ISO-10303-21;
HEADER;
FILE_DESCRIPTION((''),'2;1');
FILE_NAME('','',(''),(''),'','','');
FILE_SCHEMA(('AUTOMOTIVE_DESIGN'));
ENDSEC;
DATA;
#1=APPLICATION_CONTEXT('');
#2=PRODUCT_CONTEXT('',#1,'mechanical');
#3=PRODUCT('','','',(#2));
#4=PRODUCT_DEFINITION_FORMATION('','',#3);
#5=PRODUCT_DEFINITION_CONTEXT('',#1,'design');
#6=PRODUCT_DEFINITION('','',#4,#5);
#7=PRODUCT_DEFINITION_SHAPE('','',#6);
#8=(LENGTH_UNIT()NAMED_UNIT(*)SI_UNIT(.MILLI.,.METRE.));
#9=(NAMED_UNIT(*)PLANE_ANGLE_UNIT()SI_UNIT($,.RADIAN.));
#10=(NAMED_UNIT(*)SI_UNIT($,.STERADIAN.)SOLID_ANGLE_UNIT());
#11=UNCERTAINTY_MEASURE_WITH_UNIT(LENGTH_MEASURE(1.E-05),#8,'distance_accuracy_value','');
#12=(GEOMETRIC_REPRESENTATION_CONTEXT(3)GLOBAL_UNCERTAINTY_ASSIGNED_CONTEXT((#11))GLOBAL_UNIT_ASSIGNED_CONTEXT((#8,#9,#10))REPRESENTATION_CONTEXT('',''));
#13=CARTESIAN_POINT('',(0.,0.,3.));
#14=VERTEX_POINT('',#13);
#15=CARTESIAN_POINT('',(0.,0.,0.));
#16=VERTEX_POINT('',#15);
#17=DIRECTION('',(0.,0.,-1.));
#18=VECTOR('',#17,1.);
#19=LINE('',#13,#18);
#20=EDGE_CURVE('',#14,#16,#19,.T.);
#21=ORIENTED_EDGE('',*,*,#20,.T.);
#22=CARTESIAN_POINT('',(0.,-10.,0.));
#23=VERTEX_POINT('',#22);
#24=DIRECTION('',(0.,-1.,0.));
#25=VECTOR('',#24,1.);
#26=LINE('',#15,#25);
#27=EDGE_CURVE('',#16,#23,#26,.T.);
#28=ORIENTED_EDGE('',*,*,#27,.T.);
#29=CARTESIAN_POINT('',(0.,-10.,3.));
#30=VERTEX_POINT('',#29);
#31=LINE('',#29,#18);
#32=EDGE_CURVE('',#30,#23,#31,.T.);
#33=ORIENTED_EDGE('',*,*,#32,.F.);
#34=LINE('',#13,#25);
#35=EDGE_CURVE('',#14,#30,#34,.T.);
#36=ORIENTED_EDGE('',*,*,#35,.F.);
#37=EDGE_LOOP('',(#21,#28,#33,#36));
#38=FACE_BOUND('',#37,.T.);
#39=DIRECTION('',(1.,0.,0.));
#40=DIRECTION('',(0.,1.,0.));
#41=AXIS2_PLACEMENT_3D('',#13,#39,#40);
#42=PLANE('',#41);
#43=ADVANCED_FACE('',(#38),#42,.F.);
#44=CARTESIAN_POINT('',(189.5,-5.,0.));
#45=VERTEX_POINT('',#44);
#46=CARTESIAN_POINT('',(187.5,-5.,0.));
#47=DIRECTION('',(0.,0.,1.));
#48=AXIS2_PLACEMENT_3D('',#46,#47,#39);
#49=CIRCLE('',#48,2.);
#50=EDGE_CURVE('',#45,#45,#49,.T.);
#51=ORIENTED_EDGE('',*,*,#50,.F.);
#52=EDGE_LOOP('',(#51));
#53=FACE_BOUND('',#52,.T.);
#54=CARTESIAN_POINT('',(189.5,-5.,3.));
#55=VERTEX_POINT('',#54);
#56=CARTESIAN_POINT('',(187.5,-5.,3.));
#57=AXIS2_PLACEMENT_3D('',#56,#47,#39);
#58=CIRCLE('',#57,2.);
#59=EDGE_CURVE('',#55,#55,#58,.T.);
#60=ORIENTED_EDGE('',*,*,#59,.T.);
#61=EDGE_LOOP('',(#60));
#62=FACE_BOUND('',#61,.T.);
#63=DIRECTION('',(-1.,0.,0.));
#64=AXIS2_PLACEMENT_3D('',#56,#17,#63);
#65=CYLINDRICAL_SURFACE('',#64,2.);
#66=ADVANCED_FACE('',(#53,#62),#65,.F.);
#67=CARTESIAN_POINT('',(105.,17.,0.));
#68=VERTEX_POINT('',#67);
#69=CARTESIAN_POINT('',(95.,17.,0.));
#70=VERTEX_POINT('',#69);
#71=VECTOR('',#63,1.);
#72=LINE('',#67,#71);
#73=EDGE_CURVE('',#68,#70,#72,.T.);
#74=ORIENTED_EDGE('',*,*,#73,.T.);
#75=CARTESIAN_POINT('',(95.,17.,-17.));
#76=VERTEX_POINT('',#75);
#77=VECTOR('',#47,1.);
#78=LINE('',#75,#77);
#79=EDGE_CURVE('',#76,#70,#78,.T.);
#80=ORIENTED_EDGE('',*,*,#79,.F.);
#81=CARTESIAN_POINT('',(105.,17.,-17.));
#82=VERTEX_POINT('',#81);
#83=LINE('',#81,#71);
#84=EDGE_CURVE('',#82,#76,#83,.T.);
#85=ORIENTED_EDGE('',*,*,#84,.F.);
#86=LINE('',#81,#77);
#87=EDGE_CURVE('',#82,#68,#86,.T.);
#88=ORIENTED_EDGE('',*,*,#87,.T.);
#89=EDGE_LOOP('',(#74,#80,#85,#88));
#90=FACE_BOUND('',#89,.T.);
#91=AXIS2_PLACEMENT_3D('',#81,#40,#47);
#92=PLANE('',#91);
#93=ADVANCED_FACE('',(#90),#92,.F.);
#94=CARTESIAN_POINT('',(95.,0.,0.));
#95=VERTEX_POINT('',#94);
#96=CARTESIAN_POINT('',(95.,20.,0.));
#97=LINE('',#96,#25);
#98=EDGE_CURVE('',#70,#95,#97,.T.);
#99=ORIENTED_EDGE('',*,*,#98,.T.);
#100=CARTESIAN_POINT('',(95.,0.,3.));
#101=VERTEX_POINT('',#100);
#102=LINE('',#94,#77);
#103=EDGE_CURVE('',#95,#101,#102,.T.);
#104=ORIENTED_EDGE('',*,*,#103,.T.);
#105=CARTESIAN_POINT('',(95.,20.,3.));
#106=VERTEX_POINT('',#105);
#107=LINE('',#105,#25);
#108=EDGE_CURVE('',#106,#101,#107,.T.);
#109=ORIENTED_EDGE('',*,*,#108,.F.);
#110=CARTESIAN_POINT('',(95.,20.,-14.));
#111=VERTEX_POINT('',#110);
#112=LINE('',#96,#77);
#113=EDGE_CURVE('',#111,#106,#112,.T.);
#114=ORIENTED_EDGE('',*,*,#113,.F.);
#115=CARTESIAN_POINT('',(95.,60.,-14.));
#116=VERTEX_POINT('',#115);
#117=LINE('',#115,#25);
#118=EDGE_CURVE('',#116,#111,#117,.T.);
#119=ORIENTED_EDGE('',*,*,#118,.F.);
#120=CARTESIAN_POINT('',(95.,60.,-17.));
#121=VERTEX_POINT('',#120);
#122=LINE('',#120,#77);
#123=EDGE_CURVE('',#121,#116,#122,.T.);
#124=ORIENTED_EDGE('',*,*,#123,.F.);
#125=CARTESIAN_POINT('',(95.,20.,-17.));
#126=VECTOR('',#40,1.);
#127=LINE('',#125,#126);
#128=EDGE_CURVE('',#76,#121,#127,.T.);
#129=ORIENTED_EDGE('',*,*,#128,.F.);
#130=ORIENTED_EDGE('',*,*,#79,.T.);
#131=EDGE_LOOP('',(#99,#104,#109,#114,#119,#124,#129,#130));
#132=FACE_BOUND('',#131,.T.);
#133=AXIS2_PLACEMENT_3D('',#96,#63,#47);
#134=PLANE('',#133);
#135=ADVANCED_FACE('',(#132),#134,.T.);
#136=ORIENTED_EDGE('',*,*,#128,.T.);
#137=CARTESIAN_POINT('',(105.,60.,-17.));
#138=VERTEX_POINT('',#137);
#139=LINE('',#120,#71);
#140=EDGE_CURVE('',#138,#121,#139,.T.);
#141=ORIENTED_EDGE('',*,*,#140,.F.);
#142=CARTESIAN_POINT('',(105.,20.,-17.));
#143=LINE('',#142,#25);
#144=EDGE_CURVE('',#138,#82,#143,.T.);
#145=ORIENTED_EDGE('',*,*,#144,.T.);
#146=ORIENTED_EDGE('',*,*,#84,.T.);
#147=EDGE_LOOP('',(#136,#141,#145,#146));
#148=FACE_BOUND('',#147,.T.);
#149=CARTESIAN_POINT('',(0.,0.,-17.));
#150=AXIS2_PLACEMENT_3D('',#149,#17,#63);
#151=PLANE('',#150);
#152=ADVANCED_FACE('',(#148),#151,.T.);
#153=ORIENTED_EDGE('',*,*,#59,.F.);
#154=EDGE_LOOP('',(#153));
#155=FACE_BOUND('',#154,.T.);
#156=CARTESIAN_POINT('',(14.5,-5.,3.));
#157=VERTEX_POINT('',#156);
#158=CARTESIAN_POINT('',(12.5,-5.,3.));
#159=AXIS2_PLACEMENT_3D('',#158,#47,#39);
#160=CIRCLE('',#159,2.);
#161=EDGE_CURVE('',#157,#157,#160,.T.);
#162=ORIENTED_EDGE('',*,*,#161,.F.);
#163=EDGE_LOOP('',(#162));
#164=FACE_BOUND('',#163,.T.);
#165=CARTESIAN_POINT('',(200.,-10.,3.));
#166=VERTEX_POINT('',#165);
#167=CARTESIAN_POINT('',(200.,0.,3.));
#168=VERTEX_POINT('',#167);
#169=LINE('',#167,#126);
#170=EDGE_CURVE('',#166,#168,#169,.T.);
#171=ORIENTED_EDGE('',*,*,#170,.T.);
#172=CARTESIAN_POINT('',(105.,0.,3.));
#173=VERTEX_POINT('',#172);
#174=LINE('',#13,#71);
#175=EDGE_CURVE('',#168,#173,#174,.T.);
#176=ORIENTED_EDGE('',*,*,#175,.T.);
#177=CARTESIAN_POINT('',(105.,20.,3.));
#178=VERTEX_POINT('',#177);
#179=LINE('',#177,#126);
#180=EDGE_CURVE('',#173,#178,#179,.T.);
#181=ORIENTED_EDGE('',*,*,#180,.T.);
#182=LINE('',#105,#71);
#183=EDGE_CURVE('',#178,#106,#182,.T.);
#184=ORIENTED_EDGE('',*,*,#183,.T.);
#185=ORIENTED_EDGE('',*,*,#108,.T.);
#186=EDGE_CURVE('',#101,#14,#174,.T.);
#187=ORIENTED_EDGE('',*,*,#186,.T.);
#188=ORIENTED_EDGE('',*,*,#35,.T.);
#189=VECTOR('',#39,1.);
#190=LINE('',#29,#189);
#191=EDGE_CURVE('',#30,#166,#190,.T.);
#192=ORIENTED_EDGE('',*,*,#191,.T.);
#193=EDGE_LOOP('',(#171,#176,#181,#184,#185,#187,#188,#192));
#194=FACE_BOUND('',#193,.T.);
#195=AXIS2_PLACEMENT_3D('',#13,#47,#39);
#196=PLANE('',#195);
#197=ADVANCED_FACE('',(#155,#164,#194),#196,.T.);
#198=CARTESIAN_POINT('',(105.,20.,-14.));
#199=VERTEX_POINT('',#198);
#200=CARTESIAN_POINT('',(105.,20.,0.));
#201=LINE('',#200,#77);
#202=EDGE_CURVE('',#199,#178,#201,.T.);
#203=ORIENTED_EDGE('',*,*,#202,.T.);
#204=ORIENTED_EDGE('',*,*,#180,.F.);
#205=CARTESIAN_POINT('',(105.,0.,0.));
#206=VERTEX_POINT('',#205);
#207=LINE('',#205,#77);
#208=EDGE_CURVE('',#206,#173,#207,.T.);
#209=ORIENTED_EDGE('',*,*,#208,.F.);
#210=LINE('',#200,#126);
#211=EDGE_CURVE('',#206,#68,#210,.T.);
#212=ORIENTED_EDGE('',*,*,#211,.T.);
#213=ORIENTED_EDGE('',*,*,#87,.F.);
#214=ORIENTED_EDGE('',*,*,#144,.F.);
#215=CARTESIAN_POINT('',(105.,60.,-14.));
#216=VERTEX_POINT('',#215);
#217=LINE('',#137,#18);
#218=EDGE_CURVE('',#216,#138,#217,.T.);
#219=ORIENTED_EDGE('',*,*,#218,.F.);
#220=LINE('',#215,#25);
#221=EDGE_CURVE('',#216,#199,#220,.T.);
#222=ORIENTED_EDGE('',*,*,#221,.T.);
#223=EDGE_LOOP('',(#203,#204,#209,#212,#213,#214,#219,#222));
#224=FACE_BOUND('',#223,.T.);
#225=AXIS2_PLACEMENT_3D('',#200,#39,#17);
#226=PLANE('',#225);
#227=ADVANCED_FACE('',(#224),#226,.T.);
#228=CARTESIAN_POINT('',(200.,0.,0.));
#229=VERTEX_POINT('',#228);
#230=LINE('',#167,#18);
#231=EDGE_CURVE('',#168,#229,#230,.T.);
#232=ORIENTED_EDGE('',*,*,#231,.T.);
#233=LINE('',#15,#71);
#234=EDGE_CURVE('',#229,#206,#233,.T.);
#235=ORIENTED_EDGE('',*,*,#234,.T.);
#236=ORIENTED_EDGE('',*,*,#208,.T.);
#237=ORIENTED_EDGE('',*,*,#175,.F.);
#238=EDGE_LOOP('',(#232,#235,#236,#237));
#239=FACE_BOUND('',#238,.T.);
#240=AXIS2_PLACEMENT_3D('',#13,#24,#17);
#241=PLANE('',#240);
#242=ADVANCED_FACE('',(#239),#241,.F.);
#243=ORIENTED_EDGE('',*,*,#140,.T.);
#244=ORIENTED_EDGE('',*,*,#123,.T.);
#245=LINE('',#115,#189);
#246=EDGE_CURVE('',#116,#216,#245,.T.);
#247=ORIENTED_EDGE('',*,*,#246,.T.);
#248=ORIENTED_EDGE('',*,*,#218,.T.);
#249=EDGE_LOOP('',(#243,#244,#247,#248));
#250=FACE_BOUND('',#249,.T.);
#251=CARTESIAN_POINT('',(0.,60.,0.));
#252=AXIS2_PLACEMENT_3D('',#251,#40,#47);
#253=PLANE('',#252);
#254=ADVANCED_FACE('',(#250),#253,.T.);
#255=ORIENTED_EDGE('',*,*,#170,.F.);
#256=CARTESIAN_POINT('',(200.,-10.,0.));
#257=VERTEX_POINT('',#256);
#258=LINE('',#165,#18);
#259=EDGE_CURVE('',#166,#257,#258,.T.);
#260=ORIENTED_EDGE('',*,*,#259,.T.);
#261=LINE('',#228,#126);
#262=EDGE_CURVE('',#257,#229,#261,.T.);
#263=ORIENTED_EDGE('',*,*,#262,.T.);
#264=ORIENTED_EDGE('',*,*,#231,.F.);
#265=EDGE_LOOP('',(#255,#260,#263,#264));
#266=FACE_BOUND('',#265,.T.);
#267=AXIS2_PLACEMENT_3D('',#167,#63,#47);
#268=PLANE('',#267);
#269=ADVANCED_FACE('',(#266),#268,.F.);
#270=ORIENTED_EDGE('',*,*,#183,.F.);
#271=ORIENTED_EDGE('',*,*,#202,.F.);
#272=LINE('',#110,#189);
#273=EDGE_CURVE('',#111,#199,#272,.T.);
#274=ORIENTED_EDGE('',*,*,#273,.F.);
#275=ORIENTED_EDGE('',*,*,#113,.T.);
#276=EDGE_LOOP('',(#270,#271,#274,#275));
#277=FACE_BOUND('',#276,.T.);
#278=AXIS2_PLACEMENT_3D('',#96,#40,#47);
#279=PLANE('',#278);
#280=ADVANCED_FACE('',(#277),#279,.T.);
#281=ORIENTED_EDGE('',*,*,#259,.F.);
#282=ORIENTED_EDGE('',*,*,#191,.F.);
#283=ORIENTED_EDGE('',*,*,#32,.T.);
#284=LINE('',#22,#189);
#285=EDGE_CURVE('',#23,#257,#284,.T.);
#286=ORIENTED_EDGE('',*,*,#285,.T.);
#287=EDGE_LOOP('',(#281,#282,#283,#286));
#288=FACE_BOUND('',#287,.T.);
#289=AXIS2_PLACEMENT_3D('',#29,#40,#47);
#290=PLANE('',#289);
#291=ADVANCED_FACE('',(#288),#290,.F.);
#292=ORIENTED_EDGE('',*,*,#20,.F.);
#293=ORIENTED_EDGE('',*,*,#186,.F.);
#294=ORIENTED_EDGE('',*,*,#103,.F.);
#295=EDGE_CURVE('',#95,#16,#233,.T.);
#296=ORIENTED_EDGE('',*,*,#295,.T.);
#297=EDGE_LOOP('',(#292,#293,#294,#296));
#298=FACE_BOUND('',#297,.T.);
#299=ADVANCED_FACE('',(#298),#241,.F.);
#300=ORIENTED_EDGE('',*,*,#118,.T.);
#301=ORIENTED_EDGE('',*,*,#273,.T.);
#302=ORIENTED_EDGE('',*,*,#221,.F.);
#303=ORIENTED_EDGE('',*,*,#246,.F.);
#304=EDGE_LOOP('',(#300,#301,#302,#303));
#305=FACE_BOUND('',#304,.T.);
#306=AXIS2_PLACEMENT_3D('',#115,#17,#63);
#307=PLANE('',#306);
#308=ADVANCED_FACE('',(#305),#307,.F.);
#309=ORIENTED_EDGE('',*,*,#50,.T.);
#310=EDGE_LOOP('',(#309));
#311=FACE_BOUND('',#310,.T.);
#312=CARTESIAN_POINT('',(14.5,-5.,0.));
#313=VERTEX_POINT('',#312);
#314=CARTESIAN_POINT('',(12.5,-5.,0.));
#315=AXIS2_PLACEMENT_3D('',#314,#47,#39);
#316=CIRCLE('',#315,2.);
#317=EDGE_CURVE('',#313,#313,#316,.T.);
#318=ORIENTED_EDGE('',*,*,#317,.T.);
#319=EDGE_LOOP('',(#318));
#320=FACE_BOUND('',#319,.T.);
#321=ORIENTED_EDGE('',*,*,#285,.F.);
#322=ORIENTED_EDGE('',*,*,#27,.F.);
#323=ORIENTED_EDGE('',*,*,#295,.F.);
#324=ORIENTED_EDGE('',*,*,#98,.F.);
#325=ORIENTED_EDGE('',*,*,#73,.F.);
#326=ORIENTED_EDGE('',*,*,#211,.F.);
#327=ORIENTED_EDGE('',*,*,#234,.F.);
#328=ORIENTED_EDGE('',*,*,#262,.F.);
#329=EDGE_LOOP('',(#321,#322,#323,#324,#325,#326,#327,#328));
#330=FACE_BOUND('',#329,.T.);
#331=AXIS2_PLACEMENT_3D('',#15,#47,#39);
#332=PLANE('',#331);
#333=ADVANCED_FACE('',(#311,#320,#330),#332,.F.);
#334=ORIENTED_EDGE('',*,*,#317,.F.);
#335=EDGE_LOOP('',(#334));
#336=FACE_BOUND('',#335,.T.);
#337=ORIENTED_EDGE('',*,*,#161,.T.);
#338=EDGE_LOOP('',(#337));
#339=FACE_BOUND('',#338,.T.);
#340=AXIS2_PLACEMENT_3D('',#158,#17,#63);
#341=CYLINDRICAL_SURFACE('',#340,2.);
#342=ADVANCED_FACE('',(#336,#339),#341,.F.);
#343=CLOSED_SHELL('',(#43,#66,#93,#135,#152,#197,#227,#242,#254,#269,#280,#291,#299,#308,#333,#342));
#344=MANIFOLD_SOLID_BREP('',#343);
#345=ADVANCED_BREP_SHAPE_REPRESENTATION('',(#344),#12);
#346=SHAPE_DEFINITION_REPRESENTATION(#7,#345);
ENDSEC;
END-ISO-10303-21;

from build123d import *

# Parameters (mm, degrees)
SKETCH1_W           = 200
SKETCH1_H           = 10
SKETCH1_R           = 2
BOSS_EXTRUDE1_DEPTH = 3
SKETCH2_W           = 10
SKETCH2_H           = 20
BOSS_EXTRUDE2_DEPTH = 3
SKETCH3_W           = 10
SKETCH3_H           = 3
BOSS_EXTRUDE3_DEPTH = 17
SKETCH4_W           = 10
SKETCH4_H           = 3
BOSS_EXTRUDE4_DEPTH = 40


with BuildPart() as part:
    # Sketch1 → Boss-Extrude1 (new body)
    with BuildSketch(Plane.XY):
        with Locations((100, -5)):
            Rectangle(SKETCH1_W, SKETCH1_H)
        with Locations((12.5, -5)):
            Circle(SKETCH1_R, mode=Mode.SUBTRACT)
        with Locations((187.5, -5)):
            Circle(SKETCH1_R, mode=Mode.SUBTRACT)
    extrude(amount=BOSS_EXTRUDE1_DEPTH)

    # Sketch2 → Boss-Extrude2 (add)
    with BuildSketch(Plane.XY.offset(3)):
        with Locations((100, 10)):
            Rectangle(SKETCH2_W, SKETCH2_H)
    extrude(amount=-BOSS_EXTRUDE2_DEPTH)

    # Sketch3 → Boss-Extrude3 (add)
    with BuildSketch(Plane(origin=(0, 0, 0), x_dir=(-1, 0, 0), z_dir=(0, 0, -1))):
        with Locations((-100, 18.5)):
            Rectangle(SKETCH3_W, SKETCH3_H)
    extrude(amount=BOSS_EXTRUDE3_DEPTH)

    # Sketch4 → Boss-Extrude4 (add)
    with BuildSketch(Plane(origin=(0, 20, 0), x_dir=(1, 0, 0), z_dir=(0, 1, 0))):
        with Locations((100, 15.5)):
            Rectangle(SKETCH4_W, SKETCH4_H)
    extrude(amount=BOSS_EXTRUDE4_DEPTH)


solid = part.part
